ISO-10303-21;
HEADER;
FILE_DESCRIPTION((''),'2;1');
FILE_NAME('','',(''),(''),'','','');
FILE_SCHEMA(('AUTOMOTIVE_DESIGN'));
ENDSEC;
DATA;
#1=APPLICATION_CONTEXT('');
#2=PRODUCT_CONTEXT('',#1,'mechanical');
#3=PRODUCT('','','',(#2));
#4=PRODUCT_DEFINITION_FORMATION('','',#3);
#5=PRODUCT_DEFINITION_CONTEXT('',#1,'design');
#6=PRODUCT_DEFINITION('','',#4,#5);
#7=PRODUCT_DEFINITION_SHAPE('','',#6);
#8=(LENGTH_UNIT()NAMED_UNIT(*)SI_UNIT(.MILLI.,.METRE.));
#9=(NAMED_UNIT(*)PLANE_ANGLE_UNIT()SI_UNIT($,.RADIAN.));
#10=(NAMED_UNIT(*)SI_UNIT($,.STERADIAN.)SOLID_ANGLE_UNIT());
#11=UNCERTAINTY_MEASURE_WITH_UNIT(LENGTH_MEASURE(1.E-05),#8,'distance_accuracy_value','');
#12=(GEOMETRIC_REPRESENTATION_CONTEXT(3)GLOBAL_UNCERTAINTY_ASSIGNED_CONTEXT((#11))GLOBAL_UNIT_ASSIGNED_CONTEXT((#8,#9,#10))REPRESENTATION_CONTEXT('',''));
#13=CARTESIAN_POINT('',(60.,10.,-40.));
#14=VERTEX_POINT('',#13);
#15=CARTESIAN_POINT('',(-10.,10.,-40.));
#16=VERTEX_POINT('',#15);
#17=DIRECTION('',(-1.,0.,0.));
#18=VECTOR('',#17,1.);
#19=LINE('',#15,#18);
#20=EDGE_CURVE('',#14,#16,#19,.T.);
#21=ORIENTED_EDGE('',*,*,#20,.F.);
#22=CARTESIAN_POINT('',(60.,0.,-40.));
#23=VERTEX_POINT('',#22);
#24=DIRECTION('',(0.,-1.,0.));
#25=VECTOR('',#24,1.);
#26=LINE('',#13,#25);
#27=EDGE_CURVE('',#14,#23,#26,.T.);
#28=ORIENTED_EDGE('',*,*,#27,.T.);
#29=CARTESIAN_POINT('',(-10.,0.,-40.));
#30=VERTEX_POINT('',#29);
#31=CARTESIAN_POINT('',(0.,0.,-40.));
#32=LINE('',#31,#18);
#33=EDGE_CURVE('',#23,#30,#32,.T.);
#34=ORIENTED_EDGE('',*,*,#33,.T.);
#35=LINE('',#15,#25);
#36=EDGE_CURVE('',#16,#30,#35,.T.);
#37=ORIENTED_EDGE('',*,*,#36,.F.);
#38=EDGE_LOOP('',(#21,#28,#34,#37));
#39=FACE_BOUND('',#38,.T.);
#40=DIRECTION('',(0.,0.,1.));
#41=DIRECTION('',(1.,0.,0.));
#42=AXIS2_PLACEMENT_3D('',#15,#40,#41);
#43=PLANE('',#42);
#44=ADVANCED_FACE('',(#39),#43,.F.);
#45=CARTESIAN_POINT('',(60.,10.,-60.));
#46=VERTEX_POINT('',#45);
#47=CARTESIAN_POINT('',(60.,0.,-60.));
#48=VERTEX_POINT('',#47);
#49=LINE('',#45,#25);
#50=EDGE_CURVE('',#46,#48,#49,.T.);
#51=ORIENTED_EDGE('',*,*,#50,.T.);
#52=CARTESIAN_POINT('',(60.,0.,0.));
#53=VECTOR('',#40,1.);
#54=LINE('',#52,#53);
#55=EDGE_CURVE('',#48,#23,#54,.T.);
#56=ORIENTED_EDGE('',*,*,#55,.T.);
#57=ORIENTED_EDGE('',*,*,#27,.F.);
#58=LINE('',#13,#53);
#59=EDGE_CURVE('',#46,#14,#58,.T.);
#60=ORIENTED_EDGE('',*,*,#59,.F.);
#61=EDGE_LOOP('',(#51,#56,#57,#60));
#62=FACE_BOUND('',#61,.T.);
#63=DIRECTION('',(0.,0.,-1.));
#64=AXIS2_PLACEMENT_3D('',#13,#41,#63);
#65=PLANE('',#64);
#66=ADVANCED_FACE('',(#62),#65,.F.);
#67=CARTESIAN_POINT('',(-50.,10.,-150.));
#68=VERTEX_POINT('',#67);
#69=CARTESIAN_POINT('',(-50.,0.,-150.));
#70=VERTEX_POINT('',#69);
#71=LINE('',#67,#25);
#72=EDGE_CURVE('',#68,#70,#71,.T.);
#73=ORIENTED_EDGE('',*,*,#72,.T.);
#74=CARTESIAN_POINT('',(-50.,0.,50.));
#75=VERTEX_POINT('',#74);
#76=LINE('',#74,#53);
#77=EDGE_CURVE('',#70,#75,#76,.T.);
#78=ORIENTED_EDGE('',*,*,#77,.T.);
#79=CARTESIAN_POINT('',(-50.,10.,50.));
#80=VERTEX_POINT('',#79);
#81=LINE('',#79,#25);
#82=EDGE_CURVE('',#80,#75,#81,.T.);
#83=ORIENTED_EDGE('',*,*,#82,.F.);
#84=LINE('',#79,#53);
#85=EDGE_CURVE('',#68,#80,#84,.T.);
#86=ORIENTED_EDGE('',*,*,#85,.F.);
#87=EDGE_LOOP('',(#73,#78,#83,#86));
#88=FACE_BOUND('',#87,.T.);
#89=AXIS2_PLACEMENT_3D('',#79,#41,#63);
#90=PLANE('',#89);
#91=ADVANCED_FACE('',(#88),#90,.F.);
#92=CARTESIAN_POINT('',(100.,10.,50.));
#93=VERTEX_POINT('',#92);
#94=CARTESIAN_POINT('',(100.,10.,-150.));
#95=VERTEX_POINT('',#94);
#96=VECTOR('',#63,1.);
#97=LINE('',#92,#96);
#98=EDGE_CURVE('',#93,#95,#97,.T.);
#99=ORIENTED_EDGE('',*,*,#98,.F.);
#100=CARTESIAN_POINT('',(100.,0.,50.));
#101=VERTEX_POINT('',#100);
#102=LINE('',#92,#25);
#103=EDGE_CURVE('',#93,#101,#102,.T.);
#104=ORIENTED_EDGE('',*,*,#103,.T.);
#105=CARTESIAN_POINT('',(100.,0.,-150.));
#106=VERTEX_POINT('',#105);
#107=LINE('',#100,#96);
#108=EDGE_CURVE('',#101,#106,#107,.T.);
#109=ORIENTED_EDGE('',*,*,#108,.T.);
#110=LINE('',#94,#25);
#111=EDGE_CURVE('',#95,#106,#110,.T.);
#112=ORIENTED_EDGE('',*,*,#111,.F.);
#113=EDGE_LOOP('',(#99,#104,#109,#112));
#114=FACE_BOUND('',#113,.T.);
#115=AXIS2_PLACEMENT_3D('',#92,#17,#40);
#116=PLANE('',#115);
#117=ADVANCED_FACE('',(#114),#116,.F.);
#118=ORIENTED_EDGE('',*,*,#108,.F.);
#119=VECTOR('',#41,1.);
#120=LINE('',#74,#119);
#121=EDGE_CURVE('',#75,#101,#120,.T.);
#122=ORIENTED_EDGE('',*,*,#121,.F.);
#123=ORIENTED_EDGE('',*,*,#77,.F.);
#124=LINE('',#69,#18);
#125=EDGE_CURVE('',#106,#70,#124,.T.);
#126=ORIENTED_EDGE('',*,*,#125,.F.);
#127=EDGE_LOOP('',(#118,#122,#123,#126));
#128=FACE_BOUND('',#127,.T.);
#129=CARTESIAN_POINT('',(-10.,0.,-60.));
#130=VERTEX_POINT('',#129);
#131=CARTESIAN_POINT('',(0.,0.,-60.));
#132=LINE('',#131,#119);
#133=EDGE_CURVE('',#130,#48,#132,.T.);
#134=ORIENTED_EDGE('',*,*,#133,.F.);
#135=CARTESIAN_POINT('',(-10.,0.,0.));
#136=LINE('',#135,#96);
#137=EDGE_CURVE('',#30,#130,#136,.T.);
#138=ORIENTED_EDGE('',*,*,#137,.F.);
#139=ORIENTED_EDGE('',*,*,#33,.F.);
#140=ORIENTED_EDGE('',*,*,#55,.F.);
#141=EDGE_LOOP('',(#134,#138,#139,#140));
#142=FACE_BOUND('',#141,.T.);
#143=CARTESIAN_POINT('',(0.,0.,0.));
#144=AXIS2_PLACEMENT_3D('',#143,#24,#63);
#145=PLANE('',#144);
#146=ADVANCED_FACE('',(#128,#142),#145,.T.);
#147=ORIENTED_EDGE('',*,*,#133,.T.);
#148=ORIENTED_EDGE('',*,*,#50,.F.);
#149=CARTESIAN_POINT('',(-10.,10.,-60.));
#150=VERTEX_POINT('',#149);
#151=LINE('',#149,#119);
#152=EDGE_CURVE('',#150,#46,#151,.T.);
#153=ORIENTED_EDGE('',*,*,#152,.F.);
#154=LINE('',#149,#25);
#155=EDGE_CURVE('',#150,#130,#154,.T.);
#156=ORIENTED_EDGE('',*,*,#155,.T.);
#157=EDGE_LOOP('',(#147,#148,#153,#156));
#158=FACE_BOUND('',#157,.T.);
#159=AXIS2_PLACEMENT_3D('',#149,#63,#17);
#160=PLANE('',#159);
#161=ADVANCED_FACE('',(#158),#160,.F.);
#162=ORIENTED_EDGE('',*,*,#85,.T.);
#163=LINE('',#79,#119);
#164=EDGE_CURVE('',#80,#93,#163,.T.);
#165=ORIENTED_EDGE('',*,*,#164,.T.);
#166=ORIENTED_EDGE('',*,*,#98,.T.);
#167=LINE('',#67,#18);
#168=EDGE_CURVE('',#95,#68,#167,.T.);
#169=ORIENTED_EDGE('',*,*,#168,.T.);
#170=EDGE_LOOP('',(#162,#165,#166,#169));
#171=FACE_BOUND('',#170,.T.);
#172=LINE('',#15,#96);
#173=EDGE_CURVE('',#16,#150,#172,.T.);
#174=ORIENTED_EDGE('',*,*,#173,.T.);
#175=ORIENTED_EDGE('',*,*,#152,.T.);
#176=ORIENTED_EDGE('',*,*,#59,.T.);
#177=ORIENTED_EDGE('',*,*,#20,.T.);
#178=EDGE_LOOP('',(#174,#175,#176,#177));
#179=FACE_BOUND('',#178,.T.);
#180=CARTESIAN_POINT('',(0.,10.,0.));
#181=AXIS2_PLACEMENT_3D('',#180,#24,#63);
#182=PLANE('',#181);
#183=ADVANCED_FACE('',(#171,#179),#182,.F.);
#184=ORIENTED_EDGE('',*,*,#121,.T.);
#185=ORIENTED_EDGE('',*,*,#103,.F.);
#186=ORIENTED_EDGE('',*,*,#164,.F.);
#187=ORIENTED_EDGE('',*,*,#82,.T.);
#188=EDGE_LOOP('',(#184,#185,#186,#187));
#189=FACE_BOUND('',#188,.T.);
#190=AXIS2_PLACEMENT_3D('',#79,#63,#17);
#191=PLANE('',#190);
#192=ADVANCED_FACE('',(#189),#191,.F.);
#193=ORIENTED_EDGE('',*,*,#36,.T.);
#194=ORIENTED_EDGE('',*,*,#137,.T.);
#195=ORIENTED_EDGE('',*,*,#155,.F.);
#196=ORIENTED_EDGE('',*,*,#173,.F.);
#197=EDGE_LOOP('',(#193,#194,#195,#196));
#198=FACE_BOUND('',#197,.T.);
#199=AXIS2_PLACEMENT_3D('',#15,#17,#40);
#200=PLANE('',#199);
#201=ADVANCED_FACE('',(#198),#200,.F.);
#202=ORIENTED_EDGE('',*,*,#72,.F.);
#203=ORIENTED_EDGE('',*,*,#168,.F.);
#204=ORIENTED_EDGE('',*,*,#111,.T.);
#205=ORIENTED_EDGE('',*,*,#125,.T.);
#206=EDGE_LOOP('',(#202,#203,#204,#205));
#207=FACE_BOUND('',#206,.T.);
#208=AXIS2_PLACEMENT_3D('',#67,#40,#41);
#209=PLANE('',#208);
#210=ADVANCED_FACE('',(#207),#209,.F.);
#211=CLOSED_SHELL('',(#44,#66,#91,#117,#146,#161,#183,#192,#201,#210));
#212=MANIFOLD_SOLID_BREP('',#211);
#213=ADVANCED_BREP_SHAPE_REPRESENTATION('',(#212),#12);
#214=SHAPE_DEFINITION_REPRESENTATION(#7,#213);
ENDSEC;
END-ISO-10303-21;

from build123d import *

# Parameters (mm, degrees)
SKIZZE1_W                            = 150
SKIZZE1_H                            = 200
AUFSATZ_LINEAR_AUSTRAGEN1_DEPTH      = 10
SKIZZE2_W                            = 70
SKIZZE2_H                            = 20
SCHNITT_LINEAR_AUSTRAGEN2_DEPTH      = 1
SCHNITT_LINEAR_AUSTRAGEN2_DEPTH_BACK = 11


with BuildPart() as part:
    # Skizze1 → Aufsatz-Linear austragen1 (new body)
    with BuildSketch(Plane(origin=(0, 0, 0), x_dir=(1, 0, 0), z_dir=(0, 1, 0))):
        with Locations((25, 50)):
            Rectangle(SKIZZE1_W, SKIZZE1_H)
    extrude(amount=AUFSATZ_LINEAR_AUSTRAGEN1_DEPTH)

    # Skizze2 → Schnitt-Linear austragen2 (cut, two sides)
    with BuildSketch(Plane.XZ) as schnitt_linear_austragen2_sk:
        with Locations((25, -50)):
            Rectangle(SKIZZE2_W, SKIZZE2_H)
    extrude(amount=SCHNITT_LINEAR_AUSTRAGEN2_DEPTH, mode=Mode.SUBTRACT)
    extrude(schnitt_linear_austragen2_sk.sketch, amount=-SCHNITT_LINEAR_AUSTRAGEN2_DEPTH_BACK, mode=Mode.SUBTRACT)


solid = part.part
